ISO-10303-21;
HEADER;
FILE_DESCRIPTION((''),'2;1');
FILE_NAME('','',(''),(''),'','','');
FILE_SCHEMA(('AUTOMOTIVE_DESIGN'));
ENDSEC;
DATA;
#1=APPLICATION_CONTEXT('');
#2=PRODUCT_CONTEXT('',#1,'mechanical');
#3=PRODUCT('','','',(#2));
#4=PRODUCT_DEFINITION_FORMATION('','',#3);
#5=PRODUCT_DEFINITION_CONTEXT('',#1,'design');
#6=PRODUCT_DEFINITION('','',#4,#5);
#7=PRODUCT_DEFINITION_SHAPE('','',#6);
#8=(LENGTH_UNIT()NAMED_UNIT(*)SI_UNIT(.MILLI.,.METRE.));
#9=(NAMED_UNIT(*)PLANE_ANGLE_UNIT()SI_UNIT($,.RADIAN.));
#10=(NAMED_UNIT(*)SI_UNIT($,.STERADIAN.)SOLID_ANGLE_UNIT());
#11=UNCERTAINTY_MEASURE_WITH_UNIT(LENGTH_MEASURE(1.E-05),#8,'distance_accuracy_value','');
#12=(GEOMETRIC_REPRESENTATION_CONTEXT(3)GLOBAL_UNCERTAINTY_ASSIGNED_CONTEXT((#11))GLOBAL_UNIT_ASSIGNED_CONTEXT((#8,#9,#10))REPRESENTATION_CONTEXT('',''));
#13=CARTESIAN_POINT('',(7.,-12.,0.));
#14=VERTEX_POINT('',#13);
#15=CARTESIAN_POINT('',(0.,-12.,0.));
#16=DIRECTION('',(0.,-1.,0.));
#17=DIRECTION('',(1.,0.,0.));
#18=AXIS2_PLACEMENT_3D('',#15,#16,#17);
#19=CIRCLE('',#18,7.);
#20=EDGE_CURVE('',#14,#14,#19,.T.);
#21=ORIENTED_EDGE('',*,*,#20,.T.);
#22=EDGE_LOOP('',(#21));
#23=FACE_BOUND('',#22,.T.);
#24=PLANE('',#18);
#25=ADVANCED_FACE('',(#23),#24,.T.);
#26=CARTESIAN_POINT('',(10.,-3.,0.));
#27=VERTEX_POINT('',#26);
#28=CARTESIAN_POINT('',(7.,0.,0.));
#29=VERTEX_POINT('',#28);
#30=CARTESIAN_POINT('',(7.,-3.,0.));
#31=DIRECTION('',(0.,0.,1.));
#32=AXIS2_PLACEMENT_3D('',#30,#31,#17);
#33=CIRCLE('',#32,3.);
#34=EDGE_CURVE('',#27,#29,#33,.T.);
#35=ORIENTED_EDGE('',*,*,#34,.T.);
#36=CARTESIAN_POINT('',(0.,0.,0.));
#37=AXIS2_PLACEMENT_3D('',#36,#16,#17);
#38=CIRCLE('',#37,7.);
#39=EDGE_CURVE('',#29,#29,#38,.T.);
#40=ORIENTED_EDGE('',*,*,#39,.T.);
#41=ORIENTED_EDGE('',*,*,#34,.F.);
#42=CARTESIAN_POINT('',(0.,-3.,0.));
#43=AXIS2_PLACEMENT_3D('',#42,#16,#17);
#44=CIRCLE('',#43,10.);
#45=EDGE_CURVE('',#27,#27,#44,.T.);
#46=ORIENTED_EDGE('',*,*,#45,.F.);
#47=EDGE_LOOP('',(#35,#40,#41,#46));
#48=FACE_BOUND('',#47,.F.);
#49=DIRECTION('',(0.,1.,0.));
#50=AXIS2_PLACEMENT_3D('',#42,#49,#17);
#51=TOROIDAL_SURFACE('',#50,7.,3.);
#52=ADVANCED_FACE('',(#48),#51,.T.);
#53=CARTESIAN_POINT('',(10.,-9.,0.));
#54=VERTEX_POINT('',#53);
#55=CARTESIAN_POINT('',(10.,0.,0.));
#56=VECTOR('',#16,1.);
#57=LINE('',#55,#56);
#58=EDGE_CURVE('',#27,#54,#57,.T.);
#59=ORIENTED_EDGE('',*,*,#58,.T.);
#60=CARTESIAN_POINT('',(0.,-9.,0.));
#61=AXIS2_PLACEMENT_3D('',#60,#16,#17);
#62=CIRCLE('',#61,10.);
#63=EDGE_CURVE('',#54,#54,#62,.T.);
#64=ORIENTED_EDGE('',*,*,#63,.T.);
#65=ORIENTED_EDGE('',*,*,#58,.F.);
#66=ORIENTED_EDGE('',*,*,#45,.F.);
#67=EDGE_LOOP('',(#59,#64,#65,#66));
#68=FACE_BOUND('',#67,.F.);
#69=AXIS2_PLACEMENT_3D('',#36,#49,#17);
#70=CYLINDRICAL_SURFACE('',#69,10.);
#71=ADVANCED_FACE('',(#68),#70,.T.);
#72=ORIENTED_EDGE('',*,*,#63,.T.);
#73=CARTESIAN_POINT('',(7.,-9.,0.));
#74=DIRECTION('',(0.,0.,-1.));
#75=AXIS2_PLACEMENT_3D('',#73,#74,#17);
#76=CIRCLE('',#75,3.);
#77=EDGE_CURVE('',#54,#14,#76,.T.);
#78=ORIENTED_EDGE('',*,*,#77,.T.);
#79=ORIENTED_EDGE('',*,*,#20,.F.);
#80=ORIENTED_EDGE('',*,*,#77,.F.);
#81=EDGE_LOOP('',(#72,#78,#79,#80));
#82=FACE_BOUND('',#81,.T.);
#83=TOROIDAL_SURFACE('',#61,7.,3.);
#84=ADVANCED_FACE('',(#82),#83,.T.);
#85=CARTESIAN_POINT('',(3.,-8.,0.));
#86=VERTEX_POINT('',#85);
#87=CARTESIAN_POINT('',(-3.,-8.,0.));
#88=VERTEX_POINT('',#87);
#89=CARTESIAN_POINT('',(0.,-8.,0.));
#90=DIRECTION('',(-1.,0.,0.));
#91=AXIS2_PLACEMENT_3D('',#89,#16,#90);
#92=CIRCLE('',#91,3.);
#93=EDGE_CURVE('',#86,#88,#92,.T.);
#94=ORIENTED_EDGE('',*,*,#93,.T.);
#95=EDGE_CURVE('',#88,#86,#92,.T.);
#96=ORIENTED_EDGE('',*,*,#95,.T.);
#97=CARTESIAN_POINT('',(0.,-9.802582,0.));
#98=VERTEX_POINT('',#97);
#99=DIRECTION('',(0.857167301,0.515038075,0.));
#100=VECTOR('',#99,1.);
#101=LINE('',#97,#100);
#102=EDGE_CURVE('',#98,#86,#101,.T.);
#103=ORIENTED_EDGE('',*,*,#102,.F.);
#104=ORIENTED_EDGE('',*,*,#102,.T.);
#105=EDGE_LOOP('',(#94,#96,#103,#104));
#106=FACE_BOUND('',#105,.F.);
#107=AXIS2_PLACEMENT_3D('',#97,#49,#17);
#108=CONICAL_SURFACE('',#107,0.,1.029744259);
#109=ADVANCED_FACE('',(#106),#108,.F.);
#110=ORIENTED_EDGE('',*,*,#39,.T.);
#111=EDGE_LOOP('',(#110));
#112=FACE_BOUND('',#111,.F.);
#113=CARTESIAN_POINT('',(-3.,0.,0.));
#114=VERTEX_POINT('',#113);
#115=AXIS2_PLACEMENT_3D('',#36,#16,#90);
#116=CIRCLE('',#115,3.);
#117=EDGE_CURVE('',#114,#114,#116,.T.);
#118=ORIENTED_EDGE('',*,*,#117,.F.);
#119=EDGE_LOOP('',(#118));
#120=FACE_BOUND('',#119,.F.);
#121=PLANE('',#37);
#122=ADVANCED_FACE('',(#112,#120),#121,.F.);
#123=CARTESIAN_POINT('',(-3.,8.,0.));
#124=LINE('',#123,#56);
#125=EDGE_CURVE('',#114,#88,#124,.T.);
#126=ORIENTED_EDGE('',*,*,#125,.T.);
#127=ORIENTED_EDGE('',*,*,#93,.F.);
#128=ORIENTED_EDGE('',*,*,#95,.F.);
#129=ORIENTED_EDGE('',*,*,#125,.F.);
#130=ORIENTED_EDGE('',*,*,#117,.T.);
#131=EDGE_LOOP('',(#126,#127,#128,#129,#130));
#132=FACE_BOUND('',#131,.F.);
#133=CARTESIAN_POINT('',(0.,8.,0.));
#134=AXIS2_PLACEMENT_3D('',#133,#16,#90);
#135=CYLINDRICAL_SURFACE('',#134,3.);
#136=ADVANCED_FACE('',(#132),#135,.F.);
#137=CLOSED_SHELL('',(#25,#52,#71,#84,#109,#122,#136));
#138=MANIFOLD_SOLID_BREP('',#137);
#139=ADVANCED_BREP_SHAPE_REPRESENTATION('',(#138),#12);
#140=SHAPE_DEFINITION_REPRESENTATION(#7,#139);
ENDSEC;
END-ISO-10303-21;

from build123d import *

# Parameters (mm, degrees)
F0_R     = 10
F1_DEPTH = 12
F2_R     = 3
F4_D     = 6
F4_DEPTH = 8
F4_TIP   = 1.8025818571


with BuildPart() as f1:
    # F0 (on Front) → F1 (new body)
    with BuildSketch(Plane.XZ):
        Circle(F0_R)
    extrude(amount=F1_DEPTH)

    # F2
    f2_edges = [f1.edges().sort_by_distance(p)[0] for p in [
        (-10, 0, 0),
        (-10, -12, 0),
    ]]
    fillet(f2_edges, radius=F2_R)

    # F4
    with Locations(Plane(origin=(0, 0, 0), x_dir=(1, 0, 0), z_dir=(0, 1, 0))):
        with Locations((0, 0)):
            Hole(F4_D / 2, depth=F4_DEPTH)
            with Locations((0, 0, -(F4_DEPTH + F4_TIP / 2))):  # 118° drill point
                Cone(0, F4_D / 2, F4_TIP, mode=Mode.SUBTRACT)


solid = f1.part
